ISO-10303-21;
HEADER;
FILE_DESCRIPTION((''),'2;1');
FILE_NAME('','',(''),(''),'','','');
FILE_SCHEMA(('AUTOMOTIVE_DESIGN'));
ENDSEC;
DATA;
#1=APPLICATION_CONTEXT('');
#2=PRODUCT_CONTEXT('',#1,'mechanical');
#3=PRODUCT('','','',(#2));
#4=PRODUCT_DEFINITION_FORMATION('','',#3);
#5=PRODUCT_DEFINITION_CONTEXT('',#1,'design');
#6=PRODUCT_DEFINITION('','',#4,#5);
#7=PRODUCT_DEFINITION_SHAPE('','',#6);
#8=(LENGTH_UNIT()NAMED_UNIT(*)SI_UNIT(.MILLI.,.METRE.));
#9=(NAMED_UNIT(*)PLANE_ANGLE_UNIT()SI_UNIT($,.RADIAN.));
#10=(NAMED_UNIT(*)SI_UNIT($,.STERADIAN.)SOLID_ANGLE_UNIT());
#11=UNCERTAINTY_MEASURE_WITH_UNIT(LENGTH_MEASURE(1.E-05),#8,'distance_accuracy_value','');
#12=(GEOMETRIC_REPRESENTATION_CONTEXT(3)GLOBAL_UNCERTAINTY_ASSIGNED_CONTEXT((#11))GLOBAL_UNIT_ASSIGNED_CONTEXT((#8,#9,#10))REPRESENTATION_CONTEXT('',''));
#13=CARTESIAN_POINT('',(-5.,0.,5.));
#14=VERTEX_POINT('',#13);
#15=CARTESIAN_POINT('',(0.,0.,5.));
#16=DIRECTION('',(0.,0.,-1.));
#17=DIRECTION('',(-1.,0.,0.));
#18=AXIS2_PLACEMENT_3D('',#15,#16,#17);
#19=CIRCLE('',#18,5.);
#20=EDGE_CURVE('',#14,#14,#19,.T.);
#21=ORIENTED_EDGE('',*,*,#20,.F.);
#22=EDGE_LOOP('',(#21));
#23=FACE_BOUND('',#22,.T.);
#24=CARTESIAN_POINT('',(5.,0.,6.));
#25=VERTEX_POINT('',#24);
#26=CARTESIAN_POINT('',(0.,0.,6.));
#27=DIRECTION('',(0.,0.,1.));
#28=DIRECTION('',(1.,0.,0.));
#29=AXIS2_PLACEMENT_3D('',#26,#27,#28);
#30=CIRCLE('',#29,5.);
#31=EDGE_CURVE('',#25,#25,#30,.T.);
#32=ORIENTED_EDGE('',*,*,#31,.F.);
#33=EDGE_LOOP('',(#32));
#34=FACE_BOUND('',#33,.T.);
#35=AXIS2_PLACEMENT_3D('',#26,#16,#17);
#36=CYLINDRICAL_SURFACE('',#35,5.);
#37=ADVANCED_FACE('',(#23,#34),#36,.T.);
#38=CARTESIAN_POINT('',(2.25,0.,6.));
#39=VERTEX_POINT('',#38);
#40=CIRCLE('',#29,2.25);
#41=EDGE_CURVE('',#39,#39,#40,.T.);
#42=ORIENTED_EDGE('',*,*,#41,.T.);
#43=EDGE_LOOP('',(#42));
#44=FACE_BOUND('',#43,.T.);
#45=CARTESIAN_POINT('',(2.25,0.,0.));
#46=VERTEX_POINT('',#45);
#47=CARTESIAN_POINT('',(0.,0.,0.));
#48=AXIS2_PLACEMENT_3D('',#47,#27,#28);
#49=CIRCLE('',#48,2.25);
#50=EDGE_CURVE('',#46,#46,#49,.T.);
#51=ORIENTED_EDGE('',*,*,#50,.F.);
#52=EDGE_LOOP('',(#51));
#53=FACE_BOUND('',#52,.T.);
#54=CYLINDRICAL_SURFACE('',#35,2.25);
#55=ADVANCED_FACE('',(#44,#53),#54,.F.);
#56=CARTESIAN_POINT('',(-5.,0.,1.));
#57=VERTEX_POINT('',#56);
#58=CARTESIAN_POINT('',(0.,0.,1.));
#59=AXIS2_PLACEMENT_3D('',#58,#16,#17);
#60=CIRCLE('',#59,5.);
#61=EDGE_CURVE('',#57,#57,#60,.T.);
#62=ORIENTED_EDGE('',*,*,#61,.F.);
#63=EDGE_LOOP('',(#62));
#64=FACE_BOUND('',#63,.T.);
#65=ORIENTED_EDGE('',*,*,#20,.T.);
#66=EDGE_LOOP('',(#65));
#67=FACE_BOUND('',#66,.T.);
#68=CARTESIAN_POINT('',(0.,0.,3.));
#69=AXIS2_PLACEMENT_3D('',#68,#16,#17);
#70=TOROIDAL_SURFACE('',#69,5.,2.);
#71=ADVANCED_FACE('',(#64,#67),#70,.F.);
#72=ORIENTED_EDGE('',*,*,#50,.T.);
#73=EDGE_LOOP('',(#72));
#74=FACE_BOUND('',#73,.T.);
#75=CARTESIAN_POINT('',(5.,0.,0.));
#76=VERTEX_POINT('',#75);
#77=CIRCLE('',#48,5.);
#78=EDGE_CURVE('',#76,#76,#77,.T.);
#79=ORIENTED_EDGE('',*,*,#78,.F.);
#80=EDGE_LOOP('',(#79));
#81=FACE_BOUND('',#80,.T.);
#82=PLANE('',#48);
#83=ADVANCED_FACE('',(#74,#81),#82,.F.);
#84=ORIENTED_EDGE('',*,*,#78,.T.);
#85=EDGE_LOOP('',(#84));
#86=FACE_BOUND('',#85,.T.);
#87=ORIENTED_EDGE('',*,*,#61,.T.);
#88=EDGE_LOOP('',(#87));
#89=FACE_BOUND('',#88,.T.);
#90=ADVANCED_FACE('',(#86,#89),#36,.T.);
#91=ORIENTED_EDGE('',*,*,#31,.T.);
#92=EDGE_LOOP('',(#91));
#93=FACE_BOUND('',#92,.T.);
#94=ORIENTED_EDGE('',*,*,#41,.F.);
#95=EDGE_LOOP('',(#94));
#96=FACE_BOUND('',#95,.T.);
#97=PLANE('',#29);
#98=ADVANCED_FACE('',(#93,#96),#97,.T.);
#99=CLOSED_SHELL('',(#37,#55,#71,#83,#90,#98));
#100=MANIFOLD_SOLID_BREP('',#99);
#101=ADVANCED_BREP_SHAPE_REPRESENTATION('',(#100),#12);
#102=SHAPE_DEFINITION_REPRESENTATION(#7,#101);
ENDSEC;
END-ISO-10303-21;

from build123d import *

# Parameters (mm, degrees)
SKETCH1_R           = 5
SKETCH1_R_2         = 2.25
BOSS_EXTRUDE1_DEPTH = 6


with BuildPart() as part:
    # Sketch1 → Boss-Extrude1 (new body)
    with BuildSketch(Plane.XY):
        Circle(SKETCH1_R)
        Circle(SKETCH1_R_2, mode=Mode.SUBTRACT)
    extrude(amount=BOSS_EXTRUDE1_DEPTH)

    # Sketch3 → Cut-Revolve1 (revolve, cut)
    with BuildSketch(Plane(origin=(0, 0, 0), x_dir=(0, 0, -1), z_dir=(1, 0, 0))):
        with BuildLine():
            Line((-5, 5), (-1, 5))
            ThreePointArc((-1, 5), (-3, 3), (-5, 5))
        make_face()
    revolve(axis=Axis((0, 0, 0), (0, 0, 1)), mode=Mode.SUBTRACT)


solid = part.part
